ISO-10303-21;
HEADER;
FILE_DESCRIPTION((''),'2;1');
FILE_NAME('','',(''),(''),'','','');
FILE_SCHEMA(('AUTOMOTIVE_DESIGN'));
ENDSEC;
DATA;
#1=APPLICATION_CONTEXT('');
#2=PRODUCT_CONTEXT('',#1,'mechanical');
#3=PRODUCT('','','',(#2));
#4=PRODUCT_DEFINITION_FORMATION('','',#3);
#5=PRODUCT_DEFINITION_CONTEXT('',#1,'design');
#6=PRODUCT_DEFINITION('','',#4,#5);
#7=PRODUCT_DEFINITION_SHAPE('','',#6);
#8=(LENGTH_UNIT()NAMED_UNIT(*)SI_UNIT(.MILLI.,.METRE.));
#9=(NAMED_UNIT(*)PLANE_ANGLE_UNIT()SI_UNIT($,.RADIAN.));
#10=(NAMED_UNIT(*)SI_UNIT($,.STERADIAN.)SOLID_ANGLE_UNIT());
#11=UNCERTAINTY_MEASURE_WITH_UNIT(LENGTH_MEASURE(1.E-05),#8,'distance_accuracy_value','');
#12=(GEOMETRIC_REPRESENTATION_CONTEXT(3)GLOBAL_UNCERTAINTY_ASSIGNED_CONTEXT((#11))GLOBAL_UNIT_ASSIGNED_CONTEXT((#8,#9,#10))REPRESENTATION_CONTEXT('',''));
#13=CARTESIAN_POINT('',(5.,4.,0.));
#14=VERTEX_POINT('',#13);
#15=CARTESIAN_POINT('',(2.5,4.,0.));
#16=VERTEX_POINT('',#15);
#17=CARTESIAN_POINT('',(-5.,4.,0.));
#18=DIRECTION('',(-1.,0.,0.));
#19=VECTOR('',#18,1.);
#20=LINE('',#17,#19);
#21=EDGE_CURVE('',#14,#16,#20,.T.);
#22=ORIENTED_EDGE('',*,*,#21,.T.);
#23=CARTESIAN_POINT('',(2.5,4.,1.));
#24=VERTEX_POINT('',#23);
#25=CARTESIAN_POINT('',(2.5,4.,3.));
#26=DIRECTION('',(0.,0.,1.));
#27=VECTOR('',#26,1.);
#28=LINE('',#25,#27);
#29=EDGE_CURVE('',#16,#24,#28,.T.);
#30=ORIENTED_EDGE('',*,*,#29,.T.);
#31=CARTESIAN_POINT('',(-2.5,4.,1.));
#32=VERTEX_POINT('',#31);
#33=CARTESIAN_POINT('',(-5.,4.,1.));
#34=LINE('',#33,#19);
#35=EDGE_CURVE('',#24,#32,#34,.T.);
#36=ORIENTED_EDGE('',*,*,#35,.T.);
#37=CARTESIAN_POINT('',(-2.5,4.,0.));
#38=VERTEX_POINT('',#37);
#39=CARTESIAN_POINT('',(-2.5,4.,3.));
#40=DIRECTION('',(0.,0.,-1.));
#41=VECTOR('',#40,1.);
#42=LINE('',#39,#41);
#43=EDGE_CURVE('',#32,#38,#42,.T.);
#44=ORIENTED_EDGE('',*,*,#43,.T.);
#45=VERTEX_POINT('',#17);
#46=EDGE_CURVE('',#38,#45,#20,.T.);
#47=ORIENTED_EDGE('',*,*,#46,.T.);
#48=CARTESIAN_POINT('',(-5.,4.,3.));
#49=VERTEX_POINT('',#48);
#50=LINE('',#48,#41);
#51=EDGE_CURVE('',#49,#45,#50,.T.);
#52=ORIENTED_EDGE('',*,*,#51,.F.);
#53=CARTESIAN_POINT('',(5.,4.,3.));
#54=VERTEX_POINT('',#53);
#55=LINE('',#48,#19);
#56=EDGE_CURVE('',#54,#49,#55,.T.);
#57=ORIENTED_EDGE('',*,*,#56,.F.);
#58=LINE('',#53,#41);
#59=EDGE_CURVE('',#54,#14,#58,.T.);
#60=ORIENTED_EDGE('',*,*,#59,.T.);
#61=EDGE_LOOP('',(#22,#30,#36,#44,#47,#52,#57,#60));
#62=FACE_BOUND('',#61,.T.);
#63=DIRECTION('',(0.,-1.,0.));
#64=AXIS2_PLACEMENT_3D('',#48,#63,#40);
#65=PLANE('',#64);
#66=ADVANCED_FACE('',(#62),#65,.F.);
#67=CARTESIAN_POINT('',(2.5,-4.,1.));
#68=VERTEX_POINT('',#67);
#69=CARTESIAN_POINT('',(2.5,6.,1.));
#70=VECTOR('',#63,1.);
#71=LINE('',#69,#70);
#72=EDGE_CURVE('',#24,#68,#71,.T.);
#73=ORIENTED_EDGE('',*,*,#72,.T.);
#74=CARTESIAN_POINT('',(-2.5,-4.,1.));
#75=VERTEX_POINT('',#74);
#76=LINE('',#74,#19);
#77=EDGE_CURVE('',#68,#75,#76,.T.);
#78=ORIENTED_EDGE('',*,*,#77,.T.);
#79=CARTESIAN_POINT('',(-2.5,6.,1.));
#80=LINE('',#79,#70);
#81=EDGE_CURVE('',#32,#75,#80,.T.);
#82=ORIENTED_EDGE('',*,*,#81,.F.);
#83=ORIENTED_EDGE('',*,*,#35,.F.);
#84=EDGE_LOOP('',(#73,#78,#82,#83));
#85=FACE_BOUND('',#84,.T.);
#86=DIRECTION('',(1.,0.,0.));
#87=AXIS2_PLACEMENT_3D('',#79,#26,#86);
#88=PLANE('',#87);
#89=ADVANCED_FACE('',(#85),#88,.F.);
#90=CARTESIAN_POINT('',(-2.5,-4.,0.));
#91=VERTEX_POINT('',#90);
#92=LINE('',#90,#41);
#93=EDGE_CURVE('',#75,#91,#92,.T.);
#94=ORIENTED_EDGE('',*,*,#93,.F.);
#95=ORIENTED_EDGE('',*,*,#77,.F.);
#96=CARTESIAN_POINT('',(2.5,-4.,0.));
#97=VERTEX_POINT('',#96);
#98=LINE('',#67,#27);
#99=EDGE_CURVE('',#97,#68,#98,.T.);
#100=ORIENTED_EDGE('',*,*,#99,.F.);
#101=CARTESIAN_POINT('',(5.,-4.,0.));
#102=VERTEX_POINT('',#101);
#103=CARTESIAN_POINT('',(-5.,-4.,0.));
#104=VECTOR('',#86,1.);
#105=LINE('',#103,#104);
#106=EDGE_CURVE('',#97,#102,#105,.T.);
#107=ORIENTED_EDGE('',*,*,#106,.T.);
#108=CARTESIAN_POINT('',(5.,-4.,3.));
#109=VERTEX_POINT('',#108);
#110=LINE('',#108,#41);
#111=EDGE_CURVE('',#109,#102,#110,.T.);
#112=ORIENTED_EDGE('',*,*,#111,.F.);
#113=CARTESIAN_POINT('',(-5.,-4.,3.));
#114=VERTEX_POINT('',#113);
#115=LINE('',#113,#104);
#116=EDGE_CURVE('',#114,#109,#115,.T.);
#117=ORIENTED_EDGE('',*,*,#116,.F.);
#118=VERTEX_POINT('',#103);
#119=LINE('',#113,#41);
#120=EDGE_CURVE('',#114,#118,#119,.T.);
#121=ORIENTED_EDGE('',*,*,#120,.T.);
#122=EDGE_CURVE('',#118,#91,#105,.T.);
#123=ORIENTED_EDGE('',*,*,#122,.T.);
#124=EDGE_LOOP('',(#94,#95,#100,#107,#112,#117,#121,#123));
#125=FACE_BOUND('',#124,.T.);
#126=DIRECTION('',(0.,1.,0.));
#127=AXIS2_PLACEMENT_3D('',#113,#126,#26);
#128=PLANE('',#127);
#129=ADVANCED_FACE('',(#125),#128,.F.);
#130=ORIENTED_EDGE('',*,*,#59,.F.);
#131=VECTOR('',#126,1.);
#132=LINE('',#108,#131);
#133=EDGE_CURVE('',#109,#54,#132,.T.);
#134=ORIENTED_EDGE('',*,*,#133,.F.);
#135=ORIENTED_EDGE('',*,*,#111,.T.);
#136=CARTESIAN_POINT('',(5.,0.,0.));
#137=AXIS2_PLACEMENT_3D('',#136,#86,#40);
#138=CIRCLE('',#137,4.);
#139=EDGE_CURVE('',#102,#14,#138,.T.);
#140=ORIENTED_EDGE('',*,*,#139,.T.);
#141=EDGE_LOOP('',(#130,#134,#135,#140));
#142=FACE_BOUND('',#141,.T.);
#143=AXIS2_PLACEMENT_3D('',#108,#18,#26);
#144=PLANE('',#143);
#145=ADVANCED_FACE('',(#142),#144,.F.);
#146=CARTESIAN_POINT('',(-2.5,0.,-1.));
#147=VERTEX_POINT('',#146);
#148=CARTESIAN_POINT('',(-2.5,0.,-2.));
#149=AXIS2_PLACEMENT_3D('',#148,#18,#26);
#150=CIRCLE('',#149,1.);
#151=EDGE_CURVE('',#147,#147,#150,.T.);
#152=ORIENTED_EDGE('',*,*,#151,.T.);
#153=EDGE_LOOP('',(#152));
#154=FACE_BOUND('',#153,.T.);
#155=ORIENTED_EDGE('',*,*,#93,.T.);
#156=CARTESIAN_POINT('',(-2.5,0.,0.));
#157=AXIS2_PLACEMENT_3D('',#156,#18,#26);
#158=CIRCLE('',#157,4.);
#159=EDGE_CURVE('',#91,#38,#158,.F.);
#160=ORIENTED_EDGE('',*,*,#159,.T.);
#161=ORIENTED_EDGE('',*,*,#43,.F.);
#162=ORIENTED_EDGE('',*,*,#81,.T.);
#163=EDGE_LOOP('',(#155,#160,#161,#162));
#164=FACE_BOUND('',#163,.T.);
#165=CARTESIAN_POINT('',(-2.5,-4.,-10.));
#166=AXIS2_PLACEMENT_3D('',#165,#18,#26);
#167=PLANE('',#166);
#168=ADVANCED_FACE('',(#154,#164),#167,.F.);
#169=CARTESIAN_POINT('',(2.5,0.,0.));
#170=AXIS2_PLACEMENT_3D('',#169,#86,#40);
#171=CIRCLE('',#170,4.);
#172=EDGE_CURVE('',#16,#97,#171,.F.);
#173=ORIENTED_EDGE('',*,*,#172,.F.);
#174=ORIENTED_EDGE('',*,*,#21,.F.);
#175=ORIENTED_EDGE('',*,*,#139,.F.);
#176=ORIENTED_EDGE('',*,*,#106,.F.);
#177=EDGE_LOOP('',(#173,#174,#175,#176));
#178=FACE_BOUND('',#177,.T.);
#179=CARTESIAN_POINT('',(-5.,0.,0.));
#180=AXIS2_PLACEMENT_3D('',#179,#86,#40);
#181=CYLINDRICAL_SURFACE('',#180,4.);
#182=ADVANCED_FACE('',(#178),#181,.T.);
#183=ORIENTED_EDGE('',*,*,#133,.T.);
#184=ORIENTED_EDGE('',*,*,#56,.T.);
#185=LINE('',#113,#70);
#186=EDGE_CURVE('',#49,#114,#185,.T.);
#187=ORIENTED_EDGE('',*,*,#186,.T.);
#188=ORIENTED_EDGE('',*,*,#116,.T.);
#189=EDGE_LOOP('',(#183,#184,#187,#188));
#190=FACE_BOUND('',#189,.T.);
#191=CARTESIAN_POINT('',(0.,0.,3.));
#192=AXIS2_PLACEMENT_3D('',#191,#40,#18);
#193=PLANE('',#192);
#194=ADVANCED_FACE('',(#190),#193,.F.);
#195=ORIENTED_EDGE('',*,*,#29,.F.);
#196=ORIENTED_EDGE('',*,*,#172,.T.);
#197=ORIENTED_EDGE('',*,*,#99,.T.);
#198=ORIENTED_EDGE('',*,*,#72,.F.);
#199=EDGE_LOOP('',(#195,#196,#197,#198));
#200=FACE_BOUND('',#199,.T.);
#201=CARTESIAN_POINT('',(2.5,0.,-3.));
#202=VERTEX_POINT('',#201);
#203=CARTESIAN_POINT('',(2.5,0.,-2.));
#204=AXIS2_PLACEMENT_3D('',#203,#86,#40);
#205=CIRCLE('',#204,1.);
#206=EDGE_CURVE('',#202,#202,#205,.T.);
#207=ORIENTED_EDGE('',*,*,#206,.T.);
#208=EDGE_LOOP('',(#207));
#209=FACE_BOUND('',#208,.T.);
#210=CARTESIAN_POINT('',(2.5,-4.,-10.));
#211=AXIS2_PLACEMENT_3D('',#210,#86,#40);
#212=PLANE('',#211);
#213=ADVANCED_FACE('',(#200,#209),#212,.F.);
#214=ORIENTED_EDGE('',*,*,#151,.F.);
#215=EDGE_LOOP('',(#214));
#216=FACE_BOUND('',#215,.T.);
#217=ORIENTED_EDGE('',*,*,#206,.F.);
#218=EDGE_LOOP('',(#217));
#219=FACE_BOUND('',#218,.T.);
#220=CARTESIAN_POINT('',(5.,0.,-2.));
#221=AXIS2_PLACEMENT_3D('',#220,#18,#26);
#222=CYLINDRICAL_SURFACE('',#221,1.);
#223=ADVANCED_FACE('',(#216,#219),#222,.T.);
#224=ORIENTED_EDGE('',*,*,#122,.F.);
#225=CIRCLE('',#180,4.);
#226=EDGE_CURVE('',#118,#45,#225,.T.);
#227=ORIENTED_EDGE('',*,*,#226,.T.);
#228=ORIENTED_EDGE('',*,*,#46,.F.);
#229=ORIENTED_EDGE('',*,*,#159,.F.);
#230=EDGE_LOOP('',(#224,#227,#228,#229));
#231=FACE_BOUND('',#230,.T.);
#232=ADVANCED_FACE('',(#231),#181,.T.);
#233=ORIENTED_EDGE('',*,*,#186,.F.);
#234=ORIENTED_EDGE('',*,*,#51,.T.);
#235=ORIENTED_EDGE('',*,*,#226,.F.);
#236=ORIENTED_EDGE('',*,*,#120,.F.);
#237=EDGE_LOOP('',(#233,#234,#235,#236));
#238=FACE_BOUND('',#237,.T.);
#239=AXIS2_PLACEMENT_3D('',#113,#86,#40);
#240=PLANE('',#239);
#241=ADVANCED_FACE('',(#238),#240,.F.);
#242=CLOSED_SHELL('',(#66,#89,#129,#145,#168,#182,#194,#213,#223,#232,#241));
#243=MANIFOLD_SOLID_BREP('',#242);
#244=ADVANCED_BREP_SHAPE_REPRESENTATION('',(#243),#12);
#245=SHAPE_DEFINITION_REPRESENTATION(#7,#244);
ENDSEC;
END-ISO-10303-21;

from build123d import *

# Parameters (mm, degrees)
SKETCH_1_W          = 10
SKETCH_1_H          = 8
EXTRUDE_1_DEPTH     = 3
EXTRUDE_2_DEPTH     = 10
SKETCH_4_W          = 5
SKETCH_4_H          = 8
CUT_EXTRUDE_1_DEPTH = 10
SKETCH_5_R          = 1
EXTRUDE_3_DEPTH     = 10
SKETCH_7_W          = 5
SKETCH_7_H          = 1
CUT_EXTRUDE_2_DEPTH = 10


with BuildPart() as part:
    # 草图1 → 凸台-拉伸1 (new body)
    with BuildSketch(Plane.XY):
        Rectangle(SKETCH_1_W, SKETCH_1_H)
    extrude(amount=EXTRUDE_1_DEPTH)

    # 草图3 → 凸台-拉伸2 (add)
    with BuildSketch(Plane(origin=(5, 0, 0), x_dir=(0, 0, -1), z_dir=(1, 0, 0))):
        with BuildLine():
            ThreePointArc((4, 0), (2.828427125, 2.828427125), (0, 4))
            Line((0, 4), (0, -4))
            ThreePointArc((0, -4), (2.828427125, -2.828427125), (4, 0))
        make_face()
    extrude(amount=-EXTRUDE_2_DEPTH)

    # 草图4 → 切除-拉伸1 (cut)
    with BuildSketch(Plane.XY):
        Rectangle(SKETCH_4_W, SKETCH_4_H)
    extrude(amount=-CUT_EXTRUDE_1_DEPTH, mode=Mode.SUBTRACT)

    # 草图5 → 凸台-拉伸3 (add)
    with BuildSketch(Plane.ZY.offset(5)):
        with Locations((-2, 0)):
            Circle(SKETCH_5_R)
    extrude(amount=-EXTRUDE_3_DEPTH)

    # 草图7 → 切除-拉伸2 (cut)
    with BuildSketch(Plane(origin=(0, -4, 0), x_dir=(-1, 0, 0), z_dir=(0, -1, 0))):
        with Locations((0, -0.5)):
            Rectangle(SKETCH_7_W, SKETCH_7_H)
    extrude(amount=-CUT_EXTRUDE_2_DEPTH, mode=Mode.SUBTRACT)


solid = part.part
